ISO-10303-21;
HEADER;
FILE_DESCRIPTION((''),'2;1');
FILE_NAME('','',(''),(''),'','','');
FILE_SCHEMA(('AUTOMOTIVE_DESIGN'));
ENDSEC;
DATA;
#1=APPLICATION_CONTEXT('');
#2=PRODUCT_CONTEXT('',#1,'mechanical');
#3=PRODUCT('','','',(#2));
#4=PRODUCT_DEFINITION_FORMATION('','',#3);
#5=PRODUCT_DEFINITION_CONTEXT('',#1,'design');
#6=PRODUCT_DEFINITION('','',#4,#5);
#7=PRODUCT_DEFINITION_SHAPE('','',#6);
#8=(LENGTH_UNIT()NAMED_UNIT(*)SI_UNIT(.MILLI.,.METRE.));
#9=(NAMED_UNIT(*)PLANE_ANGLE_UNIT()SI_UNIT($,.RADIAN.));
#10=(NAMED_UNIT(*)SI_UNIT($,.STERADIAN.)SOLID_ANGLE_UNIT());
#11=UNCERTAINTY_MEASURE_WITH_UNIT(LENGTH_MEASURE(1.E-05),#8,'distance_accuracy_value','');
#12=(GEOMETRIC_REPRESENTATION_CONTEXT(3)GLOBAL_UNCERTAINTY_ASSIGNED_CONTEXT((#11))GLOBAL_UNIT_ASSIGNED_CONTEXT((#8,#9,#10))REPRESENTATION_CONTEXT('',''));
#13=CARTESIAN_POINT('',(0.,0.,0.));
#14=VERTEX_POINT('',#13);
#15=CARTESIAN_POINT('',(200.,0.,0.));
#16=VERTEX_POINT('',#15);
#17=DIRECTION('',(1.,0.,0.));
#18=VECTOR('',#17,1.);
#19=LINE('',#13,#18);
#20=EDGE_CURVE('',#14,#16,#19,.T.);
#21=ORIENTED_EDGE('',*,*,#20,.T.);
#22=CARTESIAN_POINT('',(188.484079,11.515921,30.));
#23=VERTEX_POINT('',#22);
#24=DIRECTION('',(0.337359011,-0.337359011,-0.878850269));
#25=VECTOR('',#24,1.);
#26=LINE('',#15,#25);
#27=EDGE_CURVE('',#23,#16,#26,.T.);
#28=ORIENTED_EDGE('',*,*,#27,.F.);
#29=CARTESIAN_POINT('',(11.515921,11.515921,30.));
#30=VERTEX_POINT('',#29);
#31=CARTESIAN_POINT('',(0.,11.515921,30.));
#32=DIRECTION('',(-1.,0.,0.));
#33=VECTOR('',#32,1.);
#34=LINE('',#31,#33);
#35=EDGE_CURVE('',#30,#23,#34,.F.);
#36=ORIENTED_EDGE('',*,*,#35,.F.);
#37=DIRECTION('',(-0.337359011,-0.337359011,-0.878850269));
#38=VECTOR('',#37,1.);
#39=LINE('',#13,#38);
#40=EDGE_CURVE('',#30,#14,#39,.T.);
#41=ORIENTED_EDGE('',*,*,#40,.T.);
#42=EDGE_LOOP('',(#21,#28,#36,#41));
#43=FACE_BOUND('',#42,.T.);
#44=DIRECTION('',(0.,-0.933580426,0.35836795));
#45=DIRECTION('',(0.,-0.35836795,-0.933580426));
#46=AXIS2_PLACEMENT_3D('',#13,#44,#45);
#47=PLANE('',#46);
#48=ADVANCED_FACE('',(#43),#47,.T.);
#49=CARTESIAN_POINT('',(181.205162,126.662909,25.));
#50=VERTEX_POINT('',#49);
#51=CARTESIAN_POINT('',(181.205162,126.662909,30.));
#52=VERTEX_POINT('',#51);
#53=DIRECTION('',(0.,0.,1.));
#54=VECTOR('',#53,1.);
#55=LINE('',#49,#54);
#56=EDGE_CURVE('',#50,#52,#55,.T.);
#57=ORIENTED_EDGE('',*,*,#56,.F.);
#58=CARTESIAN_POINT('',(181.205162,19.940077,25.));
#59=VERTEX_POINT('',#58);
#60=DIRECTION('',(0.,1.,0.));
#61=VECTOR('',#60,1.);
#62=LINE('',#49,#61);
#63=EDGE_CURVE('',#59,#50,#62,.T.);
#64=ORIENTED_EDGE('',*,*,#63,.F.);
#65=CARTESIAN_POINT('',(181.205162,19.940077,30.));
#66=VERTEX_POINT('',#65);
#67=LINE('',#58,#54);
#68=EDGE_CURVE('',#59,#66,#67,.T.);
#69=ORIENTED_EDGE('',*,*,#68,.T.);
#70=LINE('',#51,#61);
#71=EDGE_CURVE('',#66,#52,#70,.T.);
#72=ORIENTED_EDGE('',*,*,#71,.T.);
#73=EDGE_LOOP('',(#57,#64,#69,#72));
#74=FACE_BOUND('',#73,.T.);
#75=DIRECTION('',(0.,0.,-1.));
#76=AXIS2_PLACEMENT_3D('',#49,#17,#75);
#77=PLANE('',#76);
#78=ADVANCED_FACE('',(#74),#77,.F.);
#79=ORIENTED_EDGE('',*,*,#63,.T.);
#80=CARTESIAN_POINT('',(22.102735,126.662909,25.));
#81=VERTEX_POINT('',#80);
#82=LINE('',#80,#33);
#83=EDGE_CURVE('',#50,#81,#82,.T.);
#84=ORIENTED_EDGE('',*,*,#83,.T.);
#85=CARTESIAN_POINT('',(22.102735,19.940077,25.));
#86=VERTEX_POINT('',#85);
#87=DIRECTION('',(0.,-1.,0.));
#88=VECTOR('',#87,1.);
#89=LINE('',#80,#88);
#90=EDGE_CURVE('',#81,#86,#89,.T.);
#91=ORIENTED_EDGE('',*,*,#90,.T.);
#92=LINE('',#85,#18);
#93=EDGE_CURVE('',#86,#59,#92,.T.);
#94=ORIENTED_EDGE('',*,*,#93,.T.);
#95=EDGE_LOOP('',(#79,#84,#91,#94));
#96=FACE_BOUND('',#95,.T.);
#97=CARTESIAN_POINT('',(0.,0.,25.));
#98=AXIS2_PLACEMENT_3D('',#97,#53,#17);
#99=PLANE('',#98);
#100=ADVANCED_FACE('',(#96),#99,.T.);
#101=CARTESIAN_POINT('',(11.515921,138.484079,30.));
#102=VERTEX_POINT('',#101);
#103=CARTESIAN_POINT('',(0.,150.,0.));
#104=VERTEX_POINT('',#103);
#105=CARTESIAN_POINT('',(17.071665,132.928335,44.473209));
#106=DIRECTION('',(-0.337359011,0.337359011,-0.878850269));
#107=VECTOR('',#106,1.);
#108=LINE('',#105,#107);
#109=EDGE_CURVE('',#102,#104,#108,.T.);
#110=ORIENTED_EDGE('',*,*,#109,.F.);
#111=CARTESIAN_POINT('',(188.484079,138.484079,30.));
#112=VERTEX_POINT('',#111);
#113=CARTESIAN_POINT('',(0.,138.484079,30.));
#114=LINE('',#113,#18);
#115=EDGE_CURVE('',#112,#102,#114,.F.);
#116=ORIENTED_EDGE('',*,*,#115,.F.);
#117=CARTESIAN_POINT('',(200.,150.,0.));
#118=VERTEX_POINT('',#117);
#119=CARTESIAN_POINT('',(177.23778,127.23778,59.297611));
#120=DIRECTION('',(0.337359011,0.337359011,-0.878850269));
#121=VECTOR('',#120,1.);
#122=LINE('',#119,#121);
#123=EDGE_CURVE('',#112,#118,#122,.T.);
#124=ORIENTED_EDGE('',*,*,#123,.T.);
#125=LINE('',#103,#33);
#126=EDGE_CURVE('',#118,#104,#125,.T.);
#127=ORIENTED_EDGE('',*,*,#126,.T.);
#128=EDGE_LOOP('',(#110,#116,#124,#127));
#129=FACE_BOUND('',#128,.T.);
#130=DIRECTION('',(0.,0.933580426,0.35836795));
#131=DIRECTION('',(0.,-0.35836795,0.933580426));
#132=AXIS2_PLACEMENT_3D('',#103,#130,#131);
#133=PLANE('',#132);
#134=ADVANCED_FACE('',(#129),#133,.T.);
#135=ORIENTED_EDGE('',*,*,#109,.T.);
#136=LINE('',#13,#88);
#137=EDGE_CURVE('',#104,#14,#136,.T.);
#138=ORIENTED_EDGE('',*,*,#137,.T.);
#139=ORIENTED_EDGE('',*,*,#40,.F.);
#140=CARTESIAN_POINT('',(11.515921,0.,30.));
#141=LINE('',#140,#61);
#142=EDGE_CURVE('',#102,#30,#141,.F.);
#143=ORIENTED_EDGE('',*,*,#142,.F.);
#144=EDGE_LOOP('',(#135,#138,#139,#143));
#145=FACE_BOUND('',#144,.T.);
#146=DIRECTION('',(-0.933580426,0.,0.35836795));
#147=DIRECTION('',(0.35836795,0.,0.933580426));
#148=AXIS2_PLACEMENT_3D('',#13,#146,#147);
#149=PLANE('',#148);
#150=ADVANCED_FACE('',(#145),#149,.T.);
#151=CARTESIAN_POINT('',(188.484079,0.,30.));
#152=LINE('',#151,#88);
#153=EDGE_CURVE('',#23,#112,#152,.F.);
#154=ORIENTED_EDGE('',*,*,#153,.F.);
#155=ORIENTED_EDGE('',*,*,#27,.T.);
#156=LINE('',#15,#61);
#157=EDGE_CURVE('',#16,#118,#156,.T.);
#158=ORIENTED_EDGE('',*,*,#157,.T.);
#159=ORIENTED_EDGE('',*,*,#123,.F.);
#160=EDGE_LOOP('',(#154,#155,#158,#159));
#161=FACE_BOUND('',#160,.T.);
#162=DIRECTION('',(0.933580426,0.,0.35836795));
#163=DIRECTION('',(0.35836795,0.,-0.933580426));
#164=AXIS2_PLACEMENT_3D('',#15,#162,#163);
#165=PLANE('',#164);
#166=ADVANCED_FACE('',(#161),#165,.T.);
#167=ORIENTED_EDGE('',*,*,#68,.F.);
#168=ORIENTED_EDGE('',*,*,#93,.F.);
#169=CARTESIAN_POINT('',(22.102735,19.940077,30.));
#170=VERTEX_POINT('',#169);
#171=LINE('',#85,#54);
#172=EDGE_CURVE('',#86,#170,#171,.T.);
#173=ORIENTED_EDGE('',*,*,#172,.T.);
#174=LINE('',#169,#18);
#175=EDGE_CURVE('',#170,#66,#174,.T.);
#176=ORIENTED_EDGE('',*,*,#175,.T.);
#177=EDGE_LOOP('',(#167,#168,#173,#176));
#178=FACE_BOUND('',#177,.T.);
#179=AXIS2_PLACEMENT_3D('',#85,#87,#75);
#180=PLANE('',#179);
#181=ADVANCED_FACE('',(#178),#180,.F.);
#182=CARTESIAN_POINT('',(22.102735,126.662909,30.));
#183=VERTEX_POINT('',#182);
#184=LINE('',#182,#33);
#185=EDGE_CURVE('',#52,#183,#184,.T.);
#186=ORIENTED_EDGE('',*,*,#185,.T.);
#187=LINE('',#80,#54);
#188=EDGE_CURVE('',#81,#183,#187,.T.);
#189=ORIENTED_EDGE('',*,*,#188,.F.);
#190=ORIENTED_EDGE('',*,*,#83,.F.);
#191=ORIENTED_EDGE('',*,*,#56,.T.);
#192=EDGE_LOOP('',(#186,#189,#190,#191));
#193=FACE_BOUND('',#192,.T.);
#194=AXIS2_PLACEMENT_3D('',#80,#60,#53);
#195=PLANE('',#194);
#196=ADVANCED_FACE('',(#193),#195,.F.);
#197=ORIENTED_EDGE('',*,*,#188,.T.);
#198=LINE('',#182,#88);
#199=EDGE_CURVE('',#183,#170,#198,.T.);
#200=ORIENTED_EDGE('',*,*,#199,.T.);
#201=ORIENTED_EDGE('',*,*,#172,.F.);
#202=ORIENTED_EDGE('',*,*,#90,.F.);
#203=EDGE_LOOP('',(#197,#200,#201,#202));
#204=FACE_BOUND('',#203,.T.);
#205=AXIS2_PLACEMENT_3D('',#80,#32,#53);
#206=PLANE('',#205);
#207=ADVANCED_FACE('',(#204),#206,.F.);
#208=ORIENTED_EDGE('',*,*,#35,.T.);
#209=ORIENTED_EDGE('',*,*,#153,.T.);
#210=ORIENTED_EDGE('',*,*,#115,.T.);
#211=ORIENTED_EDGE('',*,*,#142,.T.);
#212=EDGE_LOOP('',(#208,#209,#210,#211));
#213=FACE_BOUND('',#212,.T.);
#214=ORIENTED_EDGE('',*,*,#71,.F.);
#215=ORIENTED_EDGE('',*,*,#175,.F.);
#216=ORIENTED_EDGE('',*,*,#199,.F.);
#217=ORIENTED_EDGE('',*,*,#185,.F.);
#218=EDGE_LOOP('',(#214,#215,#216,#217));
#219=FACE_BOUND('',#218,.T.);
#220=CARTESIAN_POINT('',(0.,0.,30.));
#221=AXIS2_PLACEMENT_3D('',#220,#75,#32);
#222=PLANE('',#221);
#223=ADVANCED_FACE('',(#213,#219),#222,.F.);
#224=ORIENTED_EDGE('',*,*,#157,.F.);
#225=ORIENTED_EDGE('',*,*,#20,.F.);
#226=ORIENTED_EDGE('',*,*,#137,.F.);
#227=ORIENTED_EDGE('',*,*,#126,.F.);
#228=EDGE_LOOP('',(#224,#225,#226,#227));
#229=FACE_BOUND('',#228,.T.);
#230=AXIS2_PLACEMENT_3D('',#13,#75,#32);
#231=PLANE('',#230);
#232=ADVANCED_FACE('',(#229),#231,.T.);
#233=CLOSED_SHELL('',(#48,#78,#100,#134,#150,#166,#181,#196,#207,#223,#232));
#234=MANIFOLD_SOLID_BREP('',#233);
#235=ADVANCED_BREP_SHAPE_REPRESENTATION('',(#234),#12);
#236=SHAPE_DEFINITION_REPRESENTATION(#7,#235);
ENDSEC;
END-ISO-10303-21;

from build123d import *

# Parameters (mm, degrees)
IZIM1_W                     = 200
IZIM1_H                     = 150
Y_KSEKLIK_EKSTR_ZYON1_DEPTH = 30
Y_KSEKLIK_EKSTR_ZYON1_TAPER = 21
IZIM2_W                     = 159.102427113
IZIM2_H                     = 106.722832774
KES_EKSTR_ZYON1_DEPTH       = 5


with BuildPart() as part:
    # Çizim1 → Yükseklik-Ekstrüzyon1 (new body)
    with BuildSketch(Plane.XY):
        with Locations((100, 75)):
            Rectangle(IZIM1_W, IZIM1_H)
    extrude(amount=Y_KSEKLIK_EKSTR_ZYON1_DEPTH, taper=Y_KSEKLIK_EKSTR_ZYON1_TAPER)

    # Çizim2 → Kes-Ekstrüzyon1 (cut)
    with BuildSketch(Plane.XY.offset(30)):
        with Locations((101.653948212, 73.301492912)):
            Rectangle(IZIM2_W, IZIM2_H)
    extrude(amount=-KES_EKSTR_ZYON1_DEPTH, mode=Mode.SUBTRACT)


solid = part.part
